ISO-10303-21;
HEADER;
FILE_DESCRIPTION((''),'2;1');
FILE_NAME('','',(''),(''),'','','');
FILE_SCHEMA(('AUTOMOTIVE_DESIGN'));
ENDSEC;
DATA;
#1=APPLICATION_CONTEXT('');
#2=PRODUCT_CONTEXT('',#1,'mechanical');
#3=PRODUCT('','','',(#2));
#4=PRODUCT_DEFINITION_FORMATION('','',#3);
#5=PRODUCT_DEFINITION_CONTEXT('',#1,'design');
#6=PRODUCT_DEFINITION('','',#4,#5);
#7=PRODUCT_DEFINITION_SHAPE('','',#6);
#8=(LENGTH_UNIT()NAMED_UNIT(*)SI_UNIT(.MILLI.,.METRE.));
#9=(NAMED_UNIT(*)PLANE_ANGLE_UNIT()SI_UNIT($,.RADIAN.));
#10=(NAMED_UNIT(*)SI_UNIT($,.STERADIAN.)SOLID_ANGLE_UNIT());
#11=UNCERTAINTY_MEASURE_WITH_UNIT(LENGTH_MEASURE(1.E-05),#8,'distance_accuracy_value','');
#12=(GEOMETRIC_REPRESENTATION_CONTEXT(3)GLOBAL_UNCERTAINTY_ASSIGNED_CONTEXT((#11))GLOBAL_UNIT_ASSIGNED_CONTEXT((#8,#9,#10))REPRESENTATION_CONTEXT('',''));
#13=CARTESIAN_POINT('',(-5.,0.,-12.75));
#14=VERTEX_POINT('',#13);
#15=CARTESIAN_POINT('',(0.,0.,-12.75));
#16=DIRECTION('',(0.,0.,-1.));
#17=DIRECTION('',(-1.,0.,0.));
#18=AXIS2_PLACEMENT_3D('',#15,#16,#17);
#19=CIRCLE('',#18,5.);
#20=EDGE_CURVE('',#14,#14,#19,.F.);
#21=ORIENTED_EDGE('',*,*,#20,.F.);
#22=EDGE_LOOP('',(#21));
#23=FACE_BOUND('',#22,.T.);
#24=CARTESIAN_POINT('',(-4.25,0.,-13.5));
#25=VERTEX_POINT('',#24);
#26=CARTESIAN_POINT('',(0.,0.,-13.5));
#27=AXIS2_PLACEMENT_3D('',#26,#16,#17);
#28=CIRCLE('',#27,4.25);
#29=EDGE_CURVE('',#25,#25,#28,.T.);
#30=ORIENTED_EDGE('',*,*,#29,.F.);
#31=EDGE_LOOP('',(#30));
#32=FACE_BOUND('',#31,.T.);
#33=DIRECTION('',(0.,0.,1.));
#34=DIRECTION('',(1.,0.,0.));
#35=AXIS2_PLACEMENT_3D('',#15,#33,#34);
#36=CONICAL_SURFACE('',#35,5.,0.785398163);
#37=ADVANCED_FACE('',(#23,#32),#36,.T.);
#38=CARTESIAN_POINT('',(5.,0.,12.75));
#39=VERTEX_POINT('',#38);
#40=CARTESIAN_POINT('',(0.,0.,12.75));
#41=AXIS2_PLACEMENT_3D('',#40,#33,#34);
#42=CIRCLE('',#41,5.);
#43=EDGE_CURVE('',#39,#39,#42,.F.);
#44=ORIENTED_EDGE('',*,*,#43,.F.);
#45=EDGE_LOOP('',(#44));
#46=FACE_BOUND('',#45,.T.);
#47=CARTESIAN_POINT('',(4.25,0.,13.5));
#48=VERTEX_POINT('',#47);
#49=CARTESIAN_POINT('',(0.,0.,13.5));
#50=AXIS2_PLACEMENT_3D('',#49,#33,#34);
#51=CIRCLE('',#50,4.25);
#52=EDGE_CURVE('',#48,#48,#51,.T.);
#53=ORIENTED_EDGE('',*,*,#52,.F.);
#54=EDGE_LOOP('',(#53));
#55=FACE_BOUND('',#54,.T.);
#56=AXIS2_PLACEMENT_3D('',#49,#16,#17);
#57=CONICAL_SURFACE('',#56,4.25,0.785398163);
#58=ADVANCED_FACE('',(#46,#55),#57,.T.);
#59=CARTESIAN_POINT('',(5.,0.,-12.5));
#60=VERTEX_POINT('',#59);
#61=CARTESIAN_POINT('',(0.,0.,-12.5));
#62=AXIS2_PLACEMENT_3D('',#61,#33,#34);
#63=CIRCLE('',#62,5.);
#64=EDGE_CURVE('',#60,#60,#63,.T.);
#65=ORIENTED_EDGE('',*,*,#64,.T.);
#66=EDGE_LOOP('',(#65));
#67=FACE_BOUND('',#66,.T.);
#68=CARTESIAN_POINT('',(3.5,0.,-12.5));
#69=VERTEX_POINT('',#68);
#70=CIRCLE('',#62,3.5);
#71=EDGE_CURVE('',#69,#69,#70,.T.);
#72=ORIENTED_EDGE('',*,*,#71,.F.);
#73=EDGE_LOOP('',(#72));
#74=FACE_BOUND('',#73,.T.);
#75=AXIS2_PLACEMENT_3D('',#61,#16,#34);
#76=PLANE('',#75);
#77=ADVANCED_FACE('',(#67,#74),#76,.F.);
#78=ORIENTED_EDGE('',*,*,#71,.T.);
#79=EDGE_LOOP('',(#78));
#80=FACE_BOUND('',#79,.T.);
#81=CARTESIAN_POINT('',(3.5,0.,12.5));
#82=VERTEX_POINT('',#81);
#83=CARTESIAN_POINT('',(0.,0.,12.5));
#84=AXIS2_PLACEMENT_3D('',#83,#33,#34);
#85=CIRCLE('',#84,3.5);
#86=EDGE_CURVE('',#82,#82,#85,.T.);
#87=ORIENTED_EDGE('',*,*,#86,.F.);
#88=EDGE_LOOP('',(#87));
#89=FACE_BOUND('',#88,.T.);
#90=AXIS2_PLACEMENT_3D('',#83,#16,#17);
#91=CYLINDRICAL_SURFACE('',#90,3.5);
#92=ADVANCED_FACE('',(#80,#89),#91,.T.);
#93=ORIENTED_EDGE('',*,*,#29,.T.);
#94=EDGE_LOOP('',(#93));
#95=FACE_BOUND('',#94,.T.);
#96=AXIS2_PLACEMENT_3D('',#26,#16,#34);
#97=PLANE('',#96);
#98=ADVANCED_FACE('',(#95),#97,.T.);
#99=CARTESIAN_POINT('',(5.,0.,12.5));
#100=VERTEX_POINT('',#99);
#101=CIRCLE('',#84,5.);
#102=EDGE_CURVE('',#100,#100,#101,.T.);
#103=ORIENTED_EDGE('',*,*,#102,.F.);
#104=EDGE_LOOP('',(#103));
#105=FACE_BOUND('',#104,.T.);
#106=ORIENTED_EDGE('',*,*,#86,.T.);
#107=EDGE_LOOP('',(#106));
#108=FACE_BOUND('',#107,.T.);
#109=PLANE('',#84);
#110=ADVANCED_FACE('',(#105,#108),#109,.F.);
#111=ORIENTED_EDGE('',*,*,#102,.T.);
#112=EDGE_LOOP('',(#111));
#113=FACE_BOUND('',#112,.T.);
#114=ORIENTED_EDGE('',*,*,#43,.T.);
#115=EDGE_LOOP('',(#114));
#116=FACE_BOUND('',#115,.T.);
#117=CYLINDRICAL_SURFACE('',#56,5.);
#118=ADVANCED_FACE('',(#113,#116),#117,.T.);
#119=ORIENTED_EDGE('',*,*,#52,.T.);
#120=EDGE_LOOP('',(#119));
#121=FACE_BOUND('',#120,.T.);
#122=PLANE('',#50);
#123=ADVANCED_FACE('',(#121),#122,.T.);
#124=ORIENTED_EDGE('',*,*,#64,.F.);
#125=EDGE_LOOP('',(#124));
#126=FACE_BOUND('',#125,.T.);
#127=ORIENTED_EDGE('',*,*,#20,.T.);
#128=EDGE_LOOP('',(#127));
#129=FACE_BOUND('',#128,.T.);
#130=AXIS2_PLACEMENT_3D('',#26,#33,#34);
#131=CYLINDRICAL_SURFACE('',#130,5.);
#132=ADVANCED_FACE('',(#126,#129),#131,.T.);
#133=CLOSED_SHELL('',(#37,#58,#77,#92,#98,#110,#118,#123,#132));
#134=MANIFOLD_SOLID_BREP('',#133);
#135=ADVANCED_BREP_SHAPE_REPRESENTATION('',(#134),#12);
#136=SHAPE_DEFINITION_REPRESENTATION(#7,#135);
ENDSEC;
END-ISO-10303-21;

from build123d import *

# Parameters (mm, degrees)
SKETCH1_R           = 3.5
BOSS_EXTRUDE1_DEPTH = 12.5
SKETCH2_R           = 5
BOSS_EXTRUDE2_DEPTH = 1
CHAMFER1_SIZE       = 0.75


with BuildPart() as part:
    # Sketch1 → Boss-Extrude1 (new body, symmetric)
    with BuildSketch(Plane.XY):
        Circle(SKETCH1_R)
    extrude(amount=BOSS_EXTRUDE1_DEPTH, both=True)

    # Sketch2 → Boss-Extrude2 (add)
    with BuildSketch(Plane.XY.offset(12.5)):
        Circle(SKETCH2_R)
    boss_extrude2 = extrude(amount=BOSS_EXTRUDE2_DEPTH)

    # Mirror1: Boss-Extrude2 across plane
    add(boss_extrude2.mirror(Plane.XY))

    # Chamfer1
    chamfer1_edges = [part.edges().sort_by_distance(p)[0] for p in [
        (-5, 0, 13.5),
        (-5, 0, -13.5),
    ]]
    chamfer(chamfer1_edges, length=CHAMFER1_SIZE)


solid = part.part
